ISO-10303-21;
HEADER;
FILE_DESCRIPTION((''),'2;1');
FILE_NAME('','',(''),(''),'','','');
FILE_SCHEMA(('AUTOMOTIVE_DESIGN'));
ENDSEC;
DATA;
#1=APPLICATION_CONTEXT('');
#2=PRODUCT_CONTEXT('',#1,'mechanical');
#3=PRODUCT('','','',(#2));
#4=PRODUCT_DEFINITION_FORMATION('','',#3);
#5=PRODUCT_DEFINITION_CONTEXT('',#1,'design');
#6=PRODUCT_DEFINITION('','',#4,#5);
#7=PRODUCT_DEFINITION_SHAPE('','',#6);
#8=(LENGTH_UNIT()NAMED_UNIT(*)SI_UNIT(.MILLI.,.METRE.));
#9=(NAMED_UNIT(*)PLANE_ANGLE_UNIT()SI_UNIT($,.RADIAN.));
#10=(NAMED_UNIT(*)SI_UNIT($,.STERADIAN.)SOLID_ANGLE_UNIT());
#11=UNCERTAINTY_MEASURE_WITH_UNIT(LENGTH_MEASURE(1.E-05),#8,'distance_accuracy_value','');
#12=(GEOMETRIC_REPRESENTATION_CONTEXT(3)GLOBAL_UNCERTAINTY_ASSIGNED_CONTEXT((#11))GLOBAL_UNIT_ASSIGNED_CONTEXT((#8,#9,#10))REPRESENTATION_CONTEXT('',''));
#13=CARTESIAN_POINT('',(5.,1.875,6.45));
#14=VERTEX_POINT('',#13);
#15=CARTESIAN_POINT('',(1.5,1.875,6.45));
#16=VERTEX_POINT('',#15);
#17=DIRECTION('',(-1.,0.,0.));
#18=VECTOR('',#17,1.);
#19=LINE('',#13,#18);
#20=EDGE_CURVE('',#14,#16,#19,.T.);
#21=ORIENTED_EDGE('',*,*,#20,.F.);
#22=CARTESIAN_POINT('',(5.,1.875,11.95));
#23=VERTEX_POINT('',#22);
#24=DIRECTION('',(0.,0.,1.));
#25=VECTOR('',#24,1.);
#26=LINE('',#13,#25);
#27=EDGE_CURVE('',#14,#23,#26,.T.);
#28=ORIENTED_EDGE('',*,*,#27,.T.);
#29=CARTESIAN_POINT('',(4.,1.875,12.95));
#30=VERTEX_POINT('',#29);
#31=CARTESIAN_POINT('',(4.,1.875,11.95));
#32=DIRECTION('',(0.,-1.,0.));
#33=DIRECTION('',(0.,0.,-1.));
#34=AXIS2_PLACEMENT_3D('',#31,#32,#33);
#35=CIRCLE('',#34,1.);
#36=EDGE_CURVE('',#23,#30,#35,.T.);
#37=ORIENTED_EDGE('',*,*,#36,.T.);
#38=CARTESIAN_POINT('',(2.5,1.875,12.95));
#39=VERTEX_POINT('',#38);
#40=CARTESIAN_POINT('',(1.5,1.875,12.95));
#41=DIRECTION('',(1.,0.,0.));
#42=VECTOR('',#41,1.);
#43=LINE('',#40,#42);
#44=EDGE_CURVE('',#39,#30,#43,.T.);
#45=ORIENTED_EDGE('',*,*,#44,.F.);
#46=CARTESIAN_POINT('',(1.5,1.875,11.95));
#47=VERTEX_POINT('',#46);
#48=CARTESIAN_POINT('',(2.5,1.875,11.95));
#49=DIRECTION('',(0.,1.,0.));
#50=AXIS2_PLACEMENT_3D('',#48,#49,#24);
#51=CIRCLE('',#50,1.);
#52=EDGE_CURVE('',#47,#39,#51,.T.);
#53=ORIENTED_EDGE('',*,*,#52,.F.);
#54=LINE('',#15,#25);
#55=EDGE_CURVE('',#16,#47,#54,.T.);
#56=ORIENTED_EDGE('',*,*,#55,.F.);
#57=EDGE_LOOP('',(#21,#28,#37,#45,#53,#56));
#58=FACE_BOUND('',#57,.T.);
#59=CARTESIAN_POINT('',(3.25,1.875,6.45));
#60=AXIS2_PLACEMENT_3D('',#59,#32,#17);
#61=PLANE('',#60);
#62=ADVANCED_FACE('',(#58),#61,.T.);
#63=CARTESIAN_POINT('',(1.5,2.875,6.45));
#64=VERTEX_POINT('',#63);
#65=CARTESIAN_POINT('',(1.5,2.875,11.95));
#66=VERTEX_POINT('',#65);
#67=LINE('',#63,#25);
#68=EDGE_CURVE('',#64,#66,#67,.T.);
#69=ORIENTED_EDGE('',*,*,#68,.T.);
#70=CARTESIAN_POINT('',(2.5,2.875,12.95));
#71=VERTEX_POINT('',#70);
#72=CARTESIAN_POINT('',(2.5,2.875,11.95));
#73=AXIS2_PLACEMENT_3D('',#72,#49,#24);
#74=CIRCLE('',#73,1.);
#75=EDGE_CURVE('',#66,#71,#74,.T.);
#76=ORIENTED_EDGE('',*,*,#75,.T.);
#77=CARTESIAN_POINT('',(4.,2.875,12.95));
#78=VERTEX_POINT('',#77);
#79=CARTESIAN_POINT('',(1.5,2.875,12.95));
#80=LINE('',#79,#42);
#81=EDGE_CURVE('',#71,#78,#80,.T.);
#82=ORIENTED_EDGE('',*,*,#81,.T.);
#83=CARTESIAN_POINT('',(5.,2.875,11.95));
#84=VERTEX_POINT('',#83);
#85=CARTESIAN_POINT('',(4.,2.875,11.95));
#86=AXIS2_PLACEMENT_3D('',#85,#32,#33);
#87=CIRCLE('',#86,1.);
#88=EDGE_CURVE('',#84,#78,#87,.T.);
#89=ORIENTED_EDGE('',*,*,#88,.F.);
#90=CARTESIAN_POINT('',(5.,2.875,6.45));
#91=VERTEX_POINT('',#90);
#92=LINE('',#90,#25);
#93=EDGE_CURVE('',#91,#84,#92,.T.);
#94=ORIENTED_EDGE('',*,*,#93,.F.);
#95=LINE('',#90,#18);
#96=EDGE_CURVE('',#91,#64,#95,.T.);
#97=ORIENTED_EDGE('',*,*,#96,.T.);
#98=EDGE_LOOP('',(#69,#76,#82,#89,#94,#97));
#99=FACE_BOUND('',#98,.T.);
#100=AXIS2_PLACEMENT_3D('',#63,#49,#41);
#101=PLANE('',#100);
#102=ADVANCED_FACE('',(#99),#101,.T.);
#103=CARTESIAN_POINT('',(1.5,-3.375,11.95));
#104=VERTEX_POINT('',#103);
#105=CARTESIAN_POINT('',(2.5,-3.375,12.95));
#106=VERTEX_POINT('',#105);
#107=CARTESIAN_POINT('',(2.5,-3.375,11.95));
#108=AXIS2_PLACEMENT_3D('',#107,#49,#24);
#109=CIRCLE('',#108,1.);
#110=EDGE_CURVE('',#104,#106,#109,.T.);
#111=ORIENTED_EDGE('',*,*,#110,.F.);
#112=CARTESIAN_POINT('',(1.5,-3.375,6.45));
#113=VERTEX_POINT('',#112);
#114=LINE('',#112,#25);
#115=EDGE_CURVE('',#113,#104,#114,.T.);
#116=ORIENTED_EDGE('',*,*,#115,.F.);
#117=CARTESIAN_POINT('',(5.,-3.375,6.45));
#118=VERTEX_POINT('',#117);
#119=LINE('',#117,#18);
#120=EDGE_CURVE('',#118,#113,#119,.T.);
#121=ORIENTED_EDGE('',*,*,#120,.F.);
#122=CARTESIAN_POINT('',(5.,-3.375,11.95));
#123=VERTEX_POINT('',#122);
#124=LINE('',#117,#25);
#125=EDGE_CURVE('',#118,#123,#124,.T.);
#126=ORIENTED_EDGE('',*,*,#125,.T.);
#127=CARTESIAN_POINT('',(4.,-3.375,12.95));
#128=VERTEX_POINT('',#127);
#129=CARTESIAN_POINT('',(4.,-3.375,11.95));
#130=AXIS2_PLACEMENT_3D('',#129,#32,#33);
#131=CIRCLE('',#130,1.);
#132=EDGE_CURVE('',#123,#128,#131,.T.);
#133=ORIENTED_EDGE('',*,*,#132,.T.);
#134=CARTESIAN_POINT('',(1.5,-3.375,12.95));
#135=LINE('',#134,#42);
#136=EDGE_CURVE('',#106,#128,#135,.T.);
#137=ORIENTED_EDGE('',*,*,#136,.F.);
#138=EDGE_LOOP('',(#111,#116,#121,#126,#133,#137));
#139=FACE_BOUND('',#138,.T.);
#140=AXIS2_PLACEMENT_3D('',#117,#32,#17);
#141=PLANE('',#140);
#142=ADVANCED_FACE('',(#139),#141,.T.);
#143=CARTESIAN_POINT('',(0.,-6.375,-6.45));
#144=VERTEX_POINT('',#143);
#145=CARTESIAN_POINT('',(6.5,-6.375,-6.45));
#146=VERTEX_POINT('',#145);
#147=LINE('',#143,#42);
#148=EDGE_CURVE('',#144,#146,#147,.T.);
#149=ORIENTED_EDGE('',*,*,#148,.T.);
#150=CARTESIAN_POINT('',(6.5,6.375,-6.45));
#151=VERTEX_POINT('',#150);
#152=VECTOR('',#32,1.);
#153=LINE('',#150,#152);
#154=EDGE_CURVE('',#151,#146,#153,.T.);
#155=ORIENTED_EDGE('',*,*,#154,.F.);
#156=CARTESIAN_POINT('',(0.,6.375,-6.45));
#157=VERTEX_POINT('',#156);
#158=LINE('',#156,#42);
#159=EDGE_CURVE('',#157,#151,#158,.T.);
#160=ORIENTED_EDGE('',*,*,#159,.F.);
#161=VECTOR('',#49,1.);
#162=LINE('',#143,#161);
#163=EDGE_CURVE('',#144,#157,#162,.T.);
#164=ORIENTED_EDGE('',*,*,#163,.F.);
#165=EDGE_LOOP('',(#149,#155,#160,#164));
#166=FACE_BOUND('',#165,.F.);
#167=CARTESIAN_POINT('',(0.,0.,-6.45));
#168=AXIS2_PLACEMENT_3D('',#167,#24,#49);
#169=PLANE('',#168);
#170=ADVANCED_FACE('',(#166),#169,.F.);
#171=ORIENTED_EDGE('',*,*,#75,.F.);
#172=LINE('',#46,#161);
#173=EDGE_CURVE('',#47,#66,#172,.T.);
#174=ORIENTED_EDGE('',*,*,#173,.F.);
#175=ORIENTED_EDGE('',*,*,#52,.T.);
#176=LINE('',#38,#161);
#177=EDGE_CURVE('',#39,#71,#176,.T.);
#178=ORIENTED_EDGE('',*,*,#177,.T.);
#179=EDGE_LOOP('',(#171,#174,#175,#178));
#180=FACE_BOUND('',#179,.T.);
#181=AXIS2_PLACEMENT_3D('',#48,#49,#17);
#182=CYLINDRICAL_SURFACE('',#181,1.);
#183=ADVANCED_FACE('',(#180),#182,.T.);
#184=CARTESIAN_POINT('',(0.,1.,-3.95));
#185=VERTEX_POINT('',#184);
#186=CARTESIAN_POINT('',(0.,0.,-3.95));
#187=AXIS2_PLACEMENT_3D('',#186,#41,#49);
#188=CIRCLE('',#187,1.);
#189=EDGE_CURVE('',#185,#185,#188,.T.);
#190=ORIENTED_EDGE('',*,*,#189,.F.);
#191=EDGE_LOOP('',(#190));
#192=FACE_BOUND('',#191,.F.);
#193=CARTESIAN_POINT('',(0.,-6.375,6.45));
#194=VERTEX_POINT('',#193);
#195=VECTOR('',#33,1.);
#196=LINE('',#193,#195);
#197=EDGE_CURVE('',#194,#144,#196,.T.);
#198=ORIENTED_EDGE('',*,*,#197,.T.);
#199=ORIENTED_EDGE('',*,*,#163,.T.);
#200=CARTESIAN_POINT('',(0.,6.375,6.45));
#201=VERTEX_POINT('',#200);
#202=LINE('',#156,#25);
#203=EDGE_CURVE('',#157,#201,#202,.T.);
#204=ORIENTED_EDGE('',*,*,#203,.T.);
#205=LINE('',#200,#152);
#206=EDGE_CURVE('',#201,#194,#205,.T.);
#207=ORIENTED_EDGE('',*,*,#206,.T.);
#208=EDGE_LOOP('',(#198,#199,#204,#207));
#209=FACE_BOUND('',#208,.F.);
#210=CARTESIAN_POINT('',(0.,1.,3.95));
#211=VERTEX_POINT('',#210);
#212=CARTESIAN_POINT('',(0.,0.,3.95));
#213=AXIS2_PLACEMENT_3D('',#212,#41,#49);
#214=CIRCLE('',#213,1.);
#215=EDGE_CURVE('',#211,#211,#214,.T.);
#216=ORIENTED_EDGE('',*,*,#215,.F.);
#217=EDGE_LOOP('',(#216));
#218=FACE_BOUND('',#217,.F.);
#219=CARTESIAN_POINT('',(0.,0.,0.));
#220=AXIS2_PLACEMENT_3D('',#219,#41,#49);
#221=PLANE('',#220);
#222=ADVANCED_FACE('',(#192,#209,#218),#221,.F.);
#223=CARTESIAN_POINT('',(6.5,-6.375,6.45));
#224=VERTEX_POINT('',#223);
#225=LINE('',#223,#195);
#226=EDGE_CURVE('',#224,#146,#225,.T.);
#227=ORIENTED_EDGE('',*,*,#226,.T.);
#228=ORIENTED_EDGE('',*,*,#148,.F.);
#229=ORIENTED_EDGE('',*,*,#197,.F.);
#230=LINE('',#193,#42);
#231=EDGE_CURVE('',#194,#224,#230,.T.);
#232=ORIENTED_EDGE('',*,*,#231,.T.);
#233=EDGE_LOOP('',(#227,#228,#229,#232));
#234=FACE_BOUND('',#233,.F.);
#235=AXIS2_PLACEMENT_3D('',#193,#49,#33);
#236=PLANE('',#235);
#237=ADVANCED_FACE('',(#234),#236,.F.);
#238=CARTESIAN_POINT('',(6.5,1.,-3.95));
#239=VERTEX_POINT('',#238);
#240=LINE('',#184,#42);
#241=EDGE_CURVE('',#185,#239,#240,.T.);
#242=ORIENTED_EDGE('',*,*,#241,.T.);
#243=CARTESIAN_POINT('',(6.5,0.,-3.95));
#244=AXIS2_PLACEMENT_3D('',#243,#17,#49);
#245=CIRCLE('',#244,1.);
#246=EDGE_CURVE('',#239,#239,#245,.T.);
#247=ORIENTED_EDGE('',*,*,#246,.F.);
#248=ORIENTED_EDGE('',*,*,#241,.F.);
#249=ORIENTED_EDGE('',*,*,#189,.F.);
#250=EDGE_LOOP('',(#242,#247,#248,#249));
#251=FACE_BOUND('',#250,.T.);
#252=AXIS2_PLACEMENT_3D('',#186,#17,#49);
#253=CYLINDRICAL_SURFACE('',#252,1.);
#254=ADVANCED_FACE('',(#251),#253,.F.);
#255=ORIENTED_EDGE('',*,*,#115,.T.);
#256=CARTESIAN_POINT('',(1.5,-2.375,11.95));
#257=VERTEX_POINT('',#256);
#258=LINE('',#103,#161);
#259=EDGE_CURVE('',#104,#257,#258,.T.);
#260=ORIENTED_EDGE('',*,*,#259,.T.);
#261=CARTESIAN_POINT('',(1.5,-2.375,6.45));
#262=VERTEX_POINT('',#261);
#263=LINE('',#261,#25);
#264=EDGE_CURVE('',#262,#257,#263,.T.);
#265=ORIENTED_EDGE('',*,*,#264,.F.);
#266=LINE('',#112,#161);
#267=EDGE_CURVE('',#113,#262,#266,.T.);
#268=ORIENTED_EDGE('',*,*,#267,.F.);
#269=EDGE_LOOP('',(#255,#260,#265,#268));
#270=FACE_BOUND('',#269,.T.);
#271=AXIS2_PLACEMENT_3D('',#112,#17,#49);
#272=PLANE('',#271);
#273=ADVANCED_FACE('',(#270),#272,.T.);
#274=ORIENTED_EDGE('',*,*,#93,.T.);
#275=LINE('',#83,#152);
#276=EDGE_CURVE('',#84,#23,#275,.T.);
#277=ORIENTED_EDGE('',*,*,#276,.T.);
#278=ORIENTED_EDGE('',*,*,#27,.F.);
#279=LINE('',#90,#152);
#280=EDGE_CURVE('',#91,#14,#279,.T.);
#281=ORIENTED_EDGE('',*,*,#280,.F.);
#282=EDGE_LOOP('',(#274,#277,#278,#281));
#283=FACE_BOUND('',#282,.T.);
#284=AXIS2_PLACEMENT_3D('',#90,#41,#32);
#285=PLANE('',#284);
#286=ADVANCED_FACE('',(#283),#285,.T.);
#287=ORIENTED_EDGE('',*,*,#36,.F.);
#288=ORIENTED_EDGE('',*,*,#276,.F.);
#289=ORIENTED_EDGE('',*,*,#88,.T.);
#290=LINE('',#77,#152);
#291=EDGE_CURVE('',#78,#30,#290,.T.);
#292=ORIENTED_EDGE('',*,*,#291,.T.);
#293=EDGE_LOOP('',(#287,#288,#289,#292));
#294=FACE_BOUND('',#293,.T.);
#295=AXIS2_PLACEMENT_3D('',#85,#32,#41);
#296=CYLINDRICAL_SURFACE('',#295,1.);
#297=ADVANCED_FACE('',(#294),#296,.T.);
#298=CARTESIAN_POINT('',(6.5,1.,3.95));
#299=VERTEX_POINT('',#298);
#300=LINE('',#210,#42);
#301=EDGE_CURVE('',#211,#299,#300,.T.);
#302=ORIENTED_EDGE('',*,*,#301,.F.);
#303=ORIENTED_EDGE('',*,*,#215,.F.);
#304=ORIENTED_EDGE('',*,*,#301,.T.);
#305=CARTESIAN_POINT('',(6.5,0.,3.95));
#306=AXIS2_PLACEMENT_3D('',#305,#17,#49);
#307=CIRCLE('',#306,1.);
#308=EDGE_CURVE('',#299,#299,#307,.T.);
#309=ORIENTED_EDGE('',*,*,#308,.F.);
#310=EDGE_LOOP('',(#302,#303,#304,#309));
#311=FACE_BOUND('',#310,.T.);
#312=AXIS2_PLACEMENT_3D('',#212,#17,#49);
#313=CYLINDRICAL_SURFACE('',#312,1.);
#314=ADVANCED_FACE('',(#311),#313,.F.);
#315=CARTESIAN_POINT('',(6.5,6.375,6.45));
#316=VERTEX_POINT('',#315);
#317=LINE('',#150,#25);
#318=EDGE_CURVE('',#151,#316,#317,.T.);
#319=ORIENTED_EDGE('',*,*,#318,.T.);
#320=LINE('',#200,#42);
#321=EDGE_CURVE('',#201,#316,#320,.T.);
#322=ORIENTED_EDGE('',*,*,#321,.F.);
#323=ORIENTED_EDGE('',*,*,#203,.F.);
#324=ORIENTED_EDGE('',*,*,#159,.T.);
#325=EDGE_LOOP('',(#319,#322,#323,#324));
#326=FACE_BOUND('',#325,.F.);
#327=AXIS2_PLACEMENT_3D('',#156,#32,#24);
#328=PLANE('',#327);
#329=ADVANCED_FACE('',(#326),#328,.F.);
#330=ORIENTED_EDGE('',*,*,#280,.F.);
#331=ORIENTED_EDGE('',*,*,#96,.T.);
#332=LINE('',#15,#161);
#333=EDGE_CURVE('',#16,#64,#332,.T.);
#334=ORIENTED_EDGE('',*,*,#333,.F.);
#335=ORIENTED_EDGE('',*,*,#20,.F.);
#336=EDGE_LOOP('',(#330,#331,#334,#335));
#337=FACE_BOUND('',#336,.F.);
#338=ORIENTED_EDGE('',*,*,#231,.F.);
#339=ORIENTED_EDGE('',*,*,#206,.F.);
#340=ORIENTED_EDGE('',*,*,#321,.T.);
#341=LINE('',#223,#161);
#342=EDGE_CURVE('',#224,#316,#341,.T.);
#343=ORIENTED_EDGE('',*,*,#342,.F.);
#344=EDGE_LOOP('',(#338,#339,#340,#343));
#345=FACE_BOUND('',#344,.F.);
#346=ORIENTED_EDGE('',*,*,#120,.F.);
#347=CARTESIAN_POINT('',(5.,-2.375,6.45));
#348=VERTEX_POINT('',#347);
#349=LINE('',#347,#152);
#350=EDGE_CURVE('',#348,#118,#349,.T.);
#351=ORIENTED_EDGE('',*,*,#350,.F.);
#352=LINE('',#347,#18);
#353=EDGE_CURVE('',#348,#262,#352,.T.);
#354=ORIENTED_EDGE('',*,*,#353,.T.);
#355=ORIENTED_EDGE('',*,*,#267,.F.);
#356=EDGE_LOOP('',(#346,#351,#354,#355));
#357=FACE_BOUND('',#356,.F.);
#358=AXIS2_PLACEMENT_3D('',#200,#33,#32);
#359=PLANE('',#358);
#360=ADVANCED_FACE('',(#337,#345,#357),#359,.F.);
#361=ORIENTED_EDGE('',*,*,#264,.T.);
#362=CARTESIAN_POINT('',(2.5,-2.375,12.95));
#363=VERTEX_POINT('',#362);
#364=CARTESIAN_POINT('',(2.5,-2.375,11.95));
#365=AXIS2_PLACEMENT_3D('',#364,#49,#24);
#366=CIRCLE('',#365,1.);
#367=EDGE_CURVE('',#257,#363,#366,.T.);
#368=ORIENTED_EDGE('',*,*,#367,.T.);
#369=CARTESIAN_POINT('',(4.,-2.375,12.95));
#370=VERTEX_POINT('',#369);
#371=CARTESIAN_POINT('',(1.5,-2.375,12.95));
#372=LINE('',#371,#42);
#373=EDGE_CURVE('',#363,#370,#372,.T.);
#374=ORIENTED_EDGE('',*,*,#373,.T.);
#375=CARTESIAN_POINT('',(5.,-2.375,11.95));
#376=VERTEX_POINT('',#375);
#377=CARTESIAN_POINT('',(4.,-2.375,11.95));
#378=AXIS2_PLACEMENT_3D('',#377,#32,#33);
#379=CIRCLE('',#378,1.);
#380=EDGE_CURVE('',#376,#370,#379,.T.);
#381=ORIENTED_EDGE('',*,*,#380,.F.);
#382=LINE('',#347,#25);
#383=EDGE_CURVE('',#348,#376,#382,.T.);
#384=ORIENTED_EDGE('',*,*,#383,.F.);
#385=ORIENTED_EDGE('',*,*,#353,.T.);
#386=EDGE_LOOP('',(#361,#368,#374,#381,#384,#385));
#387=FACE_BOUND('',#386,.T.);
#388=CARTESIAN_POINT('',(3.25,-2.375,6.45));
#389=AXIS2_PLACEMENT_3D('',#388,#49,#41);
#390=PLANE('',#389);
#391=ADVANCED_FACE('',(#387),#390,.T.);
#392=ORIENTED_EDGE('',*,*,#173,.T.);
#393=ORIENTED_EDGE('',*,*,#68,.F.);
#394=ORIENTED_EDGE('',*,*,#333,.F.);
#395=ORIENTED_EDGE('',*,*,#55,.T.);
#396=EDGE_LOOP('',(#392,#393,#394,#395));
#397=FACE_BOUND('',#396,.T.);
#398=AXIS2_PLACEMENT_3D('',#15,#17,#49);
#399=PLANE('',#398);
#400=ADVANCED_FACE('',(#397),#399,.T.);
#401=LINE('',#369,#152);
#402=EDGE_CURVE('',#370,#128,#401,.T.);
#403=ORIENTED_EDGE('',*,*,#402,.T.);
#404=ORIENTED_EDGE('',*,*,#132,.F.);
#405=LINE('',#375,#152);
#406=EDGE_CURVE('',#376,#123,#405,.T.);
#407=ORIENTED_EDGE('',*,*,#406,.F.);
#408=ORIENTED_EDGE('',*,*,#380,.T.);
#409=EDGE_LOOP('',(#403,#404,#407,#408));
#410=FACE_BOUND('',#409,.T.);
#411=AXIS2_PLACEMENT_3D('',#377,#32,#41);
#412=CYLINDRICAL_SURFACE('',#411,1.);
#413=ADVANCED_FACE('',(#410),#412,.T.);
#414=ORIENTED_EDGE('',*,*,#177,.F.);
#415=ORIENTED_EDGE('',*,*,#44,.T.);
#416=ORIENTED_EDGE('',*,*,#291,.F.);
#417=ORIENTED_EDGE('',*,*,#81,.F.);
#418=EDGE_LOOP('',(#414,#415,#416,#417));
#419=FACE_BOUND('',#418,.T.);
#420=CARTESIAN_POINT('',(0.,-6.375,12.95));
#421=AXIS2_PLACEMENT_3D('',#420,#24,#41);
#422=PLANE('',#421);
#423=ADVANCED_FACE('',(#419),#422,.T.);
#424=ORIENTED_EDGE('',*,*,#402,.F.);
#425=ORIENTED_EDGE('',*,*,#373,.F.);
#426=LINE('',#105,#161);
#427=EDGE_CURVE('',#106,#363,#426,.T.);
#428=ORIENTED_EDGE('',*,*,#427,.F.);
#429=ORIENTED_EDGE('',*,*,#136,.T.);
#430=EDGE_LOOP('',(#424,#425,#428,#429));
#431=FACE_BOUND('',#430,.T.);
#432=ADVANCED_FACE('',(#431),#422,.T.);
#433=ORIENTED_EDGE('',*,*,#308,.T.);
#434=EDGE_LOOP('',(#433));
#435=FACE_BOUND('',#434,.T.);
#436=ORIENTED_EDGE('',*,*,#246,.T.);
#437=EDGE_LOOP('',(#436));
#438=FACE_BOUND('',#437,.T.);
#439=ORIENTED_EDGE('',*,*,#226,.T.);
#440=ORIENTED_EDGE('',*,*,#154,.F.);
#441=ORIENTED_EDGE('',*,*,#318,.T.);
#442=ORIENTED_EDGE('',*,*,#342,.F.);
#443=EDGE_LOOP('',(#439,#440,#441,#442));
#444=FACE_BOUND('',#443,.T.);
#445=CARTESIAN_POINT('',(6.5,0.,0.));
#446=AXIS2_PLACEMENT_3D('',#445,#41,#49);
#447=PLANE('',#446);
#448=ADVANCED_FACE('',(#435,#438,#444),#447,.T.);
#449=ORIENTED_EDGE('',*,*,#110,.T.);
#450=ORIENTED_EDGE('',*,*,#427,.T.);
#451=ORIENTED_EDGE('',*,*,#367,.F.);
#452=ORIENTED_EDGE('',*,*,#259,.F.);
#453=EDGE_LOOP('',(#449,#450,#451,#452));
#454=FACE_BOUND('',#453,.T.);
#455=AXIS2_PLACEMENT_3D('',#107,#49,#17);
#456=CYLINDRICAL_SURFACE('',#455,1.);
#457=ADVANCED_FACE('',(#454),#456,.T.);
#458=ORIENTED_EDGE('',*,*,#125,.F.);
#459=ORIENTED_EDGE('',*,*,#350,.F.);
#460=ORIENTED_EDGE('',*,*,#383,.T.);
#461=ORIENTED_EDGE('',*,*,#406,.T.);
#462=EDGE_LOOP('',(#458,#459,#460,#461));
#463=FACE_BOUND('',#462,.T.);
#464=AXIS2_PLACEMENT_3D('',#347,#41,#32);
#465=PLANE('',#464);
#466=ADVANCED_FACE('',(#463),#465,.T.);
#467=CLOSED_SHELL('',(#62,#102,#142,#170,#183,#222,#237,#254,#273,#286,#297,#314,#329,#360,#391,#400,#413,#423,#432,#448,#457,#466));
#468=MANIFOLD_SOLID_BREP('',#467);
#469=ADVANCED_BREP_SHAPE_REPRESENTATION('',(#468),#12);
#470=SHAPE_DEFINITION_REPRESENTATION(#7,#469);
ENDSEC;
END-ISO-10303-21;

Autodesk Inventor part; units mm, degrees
ref_plane "YZ Plane" through (0, 0, 0) normal (1, 0, 0) x (0, 1, 0)
ref_plane "XZ Plane" through (0, 0, 0) normal (0, 1, 0) x (-1, 0, 0)
ref_plane "XY Plane" through (0, 0, 0) normal (0, 0, 1) x (1, 0, 0)
sketch "Sketch1" plane through (0, 0, 0) normal (1, 0, 0) x (0, 1, 0)
  line L0 (6.375, 6.45) -> (-6.375, 6.45)
  line L1 (-6.375, 6.45) -> (-6.375, -6.45)
  line L2 (-6.375, -6.45) -> (6.375, -6.45)
  line L3 (6.375, -6.45) -> (6.375, 6.45)
  line L4 (6.375, 6.45) -> (-6.375, -6.45) construction
  line L5 (-6.375, 6.45) -> (6.375, -6.45) construction
  circle A0 centre (0, -3.95) radius 1
  circle A1 centre (0, 3.95) radius 1
  line L6 (0, 6.45) -> (0, -6.45)
  point P0 (0, 0)
  dimension "d0" = 12.75
  dimension "d1" = 12.9
  dimension "d2" = 2
  dimension "d3" = 2.5
  dimension "d4" = 2
  dimension "d5" = 2.5
extrude "Extrusion1" add sketch "Sketch1" along normal blind 6.5 contours L3 L2 L6 A0 A1 L0 | L6 A1 A0 L2 L1 L0
sketch "Sketch2" plane through (0, -6.375, 6.45) normal (0, 0, 1) x (1, 0, 0)
  line L0 (1.5, 9.25) -> (5, 9.25)
  line L1 (5, 9.25) -> (5, 8.25)
  line L2 (5, 8.25) -> (1.5, 8.25)
  line L3 (1.5, 8.25) -> (1.5, 9.25)
  line L4 (1.5, 9.25) -> (5, 8.25) construction
  line L5 (5, 9.25) -> (1.5, 8.25) construction
  line L6 (1.5, 4) -> (5, 4)
  line L7 (5, 4) -> (5, 3)
  line L8 (5, 3) -> (1.5, 3)
  line L9 (1.5, 3) -> (1.5, 4)
  line L10 (1.5, 4) -> (5, 3) construction
  line L11 (5, 4) -> (1.5, 3) construction
  line L12 (0, 12.75) -> (6.5, 12.75) projected
  line L13 (3.25, 12.75) -> (3.25, 0)
  line L14 (0, 0) -> (6.5, 0) projected
  point P0 (0, 6.375)
  point P1 (3.25, 8.75)
  point P2 (3.25, 3.5)
  point P3 (3.25, 8.75)
  point P4 (3.25, 3.5)
  dimension "d8" = 3.5
  dimension "d9" = 1
  dimension "d12" = 3.5
  dimension "d13" = 3.5
extrude "Extrusion2" add sketch "Sketch2" along normal blind 6.5
fillet "Fillet1" radius 1 4 edges at (5, 2.375, 12.95) (1.5, 2.375, 12.95) (1.5, -2.875, 12.95) (5, -2.875, 12.95)
equation "\"d13\" = d12"
properties part number "Switch"
